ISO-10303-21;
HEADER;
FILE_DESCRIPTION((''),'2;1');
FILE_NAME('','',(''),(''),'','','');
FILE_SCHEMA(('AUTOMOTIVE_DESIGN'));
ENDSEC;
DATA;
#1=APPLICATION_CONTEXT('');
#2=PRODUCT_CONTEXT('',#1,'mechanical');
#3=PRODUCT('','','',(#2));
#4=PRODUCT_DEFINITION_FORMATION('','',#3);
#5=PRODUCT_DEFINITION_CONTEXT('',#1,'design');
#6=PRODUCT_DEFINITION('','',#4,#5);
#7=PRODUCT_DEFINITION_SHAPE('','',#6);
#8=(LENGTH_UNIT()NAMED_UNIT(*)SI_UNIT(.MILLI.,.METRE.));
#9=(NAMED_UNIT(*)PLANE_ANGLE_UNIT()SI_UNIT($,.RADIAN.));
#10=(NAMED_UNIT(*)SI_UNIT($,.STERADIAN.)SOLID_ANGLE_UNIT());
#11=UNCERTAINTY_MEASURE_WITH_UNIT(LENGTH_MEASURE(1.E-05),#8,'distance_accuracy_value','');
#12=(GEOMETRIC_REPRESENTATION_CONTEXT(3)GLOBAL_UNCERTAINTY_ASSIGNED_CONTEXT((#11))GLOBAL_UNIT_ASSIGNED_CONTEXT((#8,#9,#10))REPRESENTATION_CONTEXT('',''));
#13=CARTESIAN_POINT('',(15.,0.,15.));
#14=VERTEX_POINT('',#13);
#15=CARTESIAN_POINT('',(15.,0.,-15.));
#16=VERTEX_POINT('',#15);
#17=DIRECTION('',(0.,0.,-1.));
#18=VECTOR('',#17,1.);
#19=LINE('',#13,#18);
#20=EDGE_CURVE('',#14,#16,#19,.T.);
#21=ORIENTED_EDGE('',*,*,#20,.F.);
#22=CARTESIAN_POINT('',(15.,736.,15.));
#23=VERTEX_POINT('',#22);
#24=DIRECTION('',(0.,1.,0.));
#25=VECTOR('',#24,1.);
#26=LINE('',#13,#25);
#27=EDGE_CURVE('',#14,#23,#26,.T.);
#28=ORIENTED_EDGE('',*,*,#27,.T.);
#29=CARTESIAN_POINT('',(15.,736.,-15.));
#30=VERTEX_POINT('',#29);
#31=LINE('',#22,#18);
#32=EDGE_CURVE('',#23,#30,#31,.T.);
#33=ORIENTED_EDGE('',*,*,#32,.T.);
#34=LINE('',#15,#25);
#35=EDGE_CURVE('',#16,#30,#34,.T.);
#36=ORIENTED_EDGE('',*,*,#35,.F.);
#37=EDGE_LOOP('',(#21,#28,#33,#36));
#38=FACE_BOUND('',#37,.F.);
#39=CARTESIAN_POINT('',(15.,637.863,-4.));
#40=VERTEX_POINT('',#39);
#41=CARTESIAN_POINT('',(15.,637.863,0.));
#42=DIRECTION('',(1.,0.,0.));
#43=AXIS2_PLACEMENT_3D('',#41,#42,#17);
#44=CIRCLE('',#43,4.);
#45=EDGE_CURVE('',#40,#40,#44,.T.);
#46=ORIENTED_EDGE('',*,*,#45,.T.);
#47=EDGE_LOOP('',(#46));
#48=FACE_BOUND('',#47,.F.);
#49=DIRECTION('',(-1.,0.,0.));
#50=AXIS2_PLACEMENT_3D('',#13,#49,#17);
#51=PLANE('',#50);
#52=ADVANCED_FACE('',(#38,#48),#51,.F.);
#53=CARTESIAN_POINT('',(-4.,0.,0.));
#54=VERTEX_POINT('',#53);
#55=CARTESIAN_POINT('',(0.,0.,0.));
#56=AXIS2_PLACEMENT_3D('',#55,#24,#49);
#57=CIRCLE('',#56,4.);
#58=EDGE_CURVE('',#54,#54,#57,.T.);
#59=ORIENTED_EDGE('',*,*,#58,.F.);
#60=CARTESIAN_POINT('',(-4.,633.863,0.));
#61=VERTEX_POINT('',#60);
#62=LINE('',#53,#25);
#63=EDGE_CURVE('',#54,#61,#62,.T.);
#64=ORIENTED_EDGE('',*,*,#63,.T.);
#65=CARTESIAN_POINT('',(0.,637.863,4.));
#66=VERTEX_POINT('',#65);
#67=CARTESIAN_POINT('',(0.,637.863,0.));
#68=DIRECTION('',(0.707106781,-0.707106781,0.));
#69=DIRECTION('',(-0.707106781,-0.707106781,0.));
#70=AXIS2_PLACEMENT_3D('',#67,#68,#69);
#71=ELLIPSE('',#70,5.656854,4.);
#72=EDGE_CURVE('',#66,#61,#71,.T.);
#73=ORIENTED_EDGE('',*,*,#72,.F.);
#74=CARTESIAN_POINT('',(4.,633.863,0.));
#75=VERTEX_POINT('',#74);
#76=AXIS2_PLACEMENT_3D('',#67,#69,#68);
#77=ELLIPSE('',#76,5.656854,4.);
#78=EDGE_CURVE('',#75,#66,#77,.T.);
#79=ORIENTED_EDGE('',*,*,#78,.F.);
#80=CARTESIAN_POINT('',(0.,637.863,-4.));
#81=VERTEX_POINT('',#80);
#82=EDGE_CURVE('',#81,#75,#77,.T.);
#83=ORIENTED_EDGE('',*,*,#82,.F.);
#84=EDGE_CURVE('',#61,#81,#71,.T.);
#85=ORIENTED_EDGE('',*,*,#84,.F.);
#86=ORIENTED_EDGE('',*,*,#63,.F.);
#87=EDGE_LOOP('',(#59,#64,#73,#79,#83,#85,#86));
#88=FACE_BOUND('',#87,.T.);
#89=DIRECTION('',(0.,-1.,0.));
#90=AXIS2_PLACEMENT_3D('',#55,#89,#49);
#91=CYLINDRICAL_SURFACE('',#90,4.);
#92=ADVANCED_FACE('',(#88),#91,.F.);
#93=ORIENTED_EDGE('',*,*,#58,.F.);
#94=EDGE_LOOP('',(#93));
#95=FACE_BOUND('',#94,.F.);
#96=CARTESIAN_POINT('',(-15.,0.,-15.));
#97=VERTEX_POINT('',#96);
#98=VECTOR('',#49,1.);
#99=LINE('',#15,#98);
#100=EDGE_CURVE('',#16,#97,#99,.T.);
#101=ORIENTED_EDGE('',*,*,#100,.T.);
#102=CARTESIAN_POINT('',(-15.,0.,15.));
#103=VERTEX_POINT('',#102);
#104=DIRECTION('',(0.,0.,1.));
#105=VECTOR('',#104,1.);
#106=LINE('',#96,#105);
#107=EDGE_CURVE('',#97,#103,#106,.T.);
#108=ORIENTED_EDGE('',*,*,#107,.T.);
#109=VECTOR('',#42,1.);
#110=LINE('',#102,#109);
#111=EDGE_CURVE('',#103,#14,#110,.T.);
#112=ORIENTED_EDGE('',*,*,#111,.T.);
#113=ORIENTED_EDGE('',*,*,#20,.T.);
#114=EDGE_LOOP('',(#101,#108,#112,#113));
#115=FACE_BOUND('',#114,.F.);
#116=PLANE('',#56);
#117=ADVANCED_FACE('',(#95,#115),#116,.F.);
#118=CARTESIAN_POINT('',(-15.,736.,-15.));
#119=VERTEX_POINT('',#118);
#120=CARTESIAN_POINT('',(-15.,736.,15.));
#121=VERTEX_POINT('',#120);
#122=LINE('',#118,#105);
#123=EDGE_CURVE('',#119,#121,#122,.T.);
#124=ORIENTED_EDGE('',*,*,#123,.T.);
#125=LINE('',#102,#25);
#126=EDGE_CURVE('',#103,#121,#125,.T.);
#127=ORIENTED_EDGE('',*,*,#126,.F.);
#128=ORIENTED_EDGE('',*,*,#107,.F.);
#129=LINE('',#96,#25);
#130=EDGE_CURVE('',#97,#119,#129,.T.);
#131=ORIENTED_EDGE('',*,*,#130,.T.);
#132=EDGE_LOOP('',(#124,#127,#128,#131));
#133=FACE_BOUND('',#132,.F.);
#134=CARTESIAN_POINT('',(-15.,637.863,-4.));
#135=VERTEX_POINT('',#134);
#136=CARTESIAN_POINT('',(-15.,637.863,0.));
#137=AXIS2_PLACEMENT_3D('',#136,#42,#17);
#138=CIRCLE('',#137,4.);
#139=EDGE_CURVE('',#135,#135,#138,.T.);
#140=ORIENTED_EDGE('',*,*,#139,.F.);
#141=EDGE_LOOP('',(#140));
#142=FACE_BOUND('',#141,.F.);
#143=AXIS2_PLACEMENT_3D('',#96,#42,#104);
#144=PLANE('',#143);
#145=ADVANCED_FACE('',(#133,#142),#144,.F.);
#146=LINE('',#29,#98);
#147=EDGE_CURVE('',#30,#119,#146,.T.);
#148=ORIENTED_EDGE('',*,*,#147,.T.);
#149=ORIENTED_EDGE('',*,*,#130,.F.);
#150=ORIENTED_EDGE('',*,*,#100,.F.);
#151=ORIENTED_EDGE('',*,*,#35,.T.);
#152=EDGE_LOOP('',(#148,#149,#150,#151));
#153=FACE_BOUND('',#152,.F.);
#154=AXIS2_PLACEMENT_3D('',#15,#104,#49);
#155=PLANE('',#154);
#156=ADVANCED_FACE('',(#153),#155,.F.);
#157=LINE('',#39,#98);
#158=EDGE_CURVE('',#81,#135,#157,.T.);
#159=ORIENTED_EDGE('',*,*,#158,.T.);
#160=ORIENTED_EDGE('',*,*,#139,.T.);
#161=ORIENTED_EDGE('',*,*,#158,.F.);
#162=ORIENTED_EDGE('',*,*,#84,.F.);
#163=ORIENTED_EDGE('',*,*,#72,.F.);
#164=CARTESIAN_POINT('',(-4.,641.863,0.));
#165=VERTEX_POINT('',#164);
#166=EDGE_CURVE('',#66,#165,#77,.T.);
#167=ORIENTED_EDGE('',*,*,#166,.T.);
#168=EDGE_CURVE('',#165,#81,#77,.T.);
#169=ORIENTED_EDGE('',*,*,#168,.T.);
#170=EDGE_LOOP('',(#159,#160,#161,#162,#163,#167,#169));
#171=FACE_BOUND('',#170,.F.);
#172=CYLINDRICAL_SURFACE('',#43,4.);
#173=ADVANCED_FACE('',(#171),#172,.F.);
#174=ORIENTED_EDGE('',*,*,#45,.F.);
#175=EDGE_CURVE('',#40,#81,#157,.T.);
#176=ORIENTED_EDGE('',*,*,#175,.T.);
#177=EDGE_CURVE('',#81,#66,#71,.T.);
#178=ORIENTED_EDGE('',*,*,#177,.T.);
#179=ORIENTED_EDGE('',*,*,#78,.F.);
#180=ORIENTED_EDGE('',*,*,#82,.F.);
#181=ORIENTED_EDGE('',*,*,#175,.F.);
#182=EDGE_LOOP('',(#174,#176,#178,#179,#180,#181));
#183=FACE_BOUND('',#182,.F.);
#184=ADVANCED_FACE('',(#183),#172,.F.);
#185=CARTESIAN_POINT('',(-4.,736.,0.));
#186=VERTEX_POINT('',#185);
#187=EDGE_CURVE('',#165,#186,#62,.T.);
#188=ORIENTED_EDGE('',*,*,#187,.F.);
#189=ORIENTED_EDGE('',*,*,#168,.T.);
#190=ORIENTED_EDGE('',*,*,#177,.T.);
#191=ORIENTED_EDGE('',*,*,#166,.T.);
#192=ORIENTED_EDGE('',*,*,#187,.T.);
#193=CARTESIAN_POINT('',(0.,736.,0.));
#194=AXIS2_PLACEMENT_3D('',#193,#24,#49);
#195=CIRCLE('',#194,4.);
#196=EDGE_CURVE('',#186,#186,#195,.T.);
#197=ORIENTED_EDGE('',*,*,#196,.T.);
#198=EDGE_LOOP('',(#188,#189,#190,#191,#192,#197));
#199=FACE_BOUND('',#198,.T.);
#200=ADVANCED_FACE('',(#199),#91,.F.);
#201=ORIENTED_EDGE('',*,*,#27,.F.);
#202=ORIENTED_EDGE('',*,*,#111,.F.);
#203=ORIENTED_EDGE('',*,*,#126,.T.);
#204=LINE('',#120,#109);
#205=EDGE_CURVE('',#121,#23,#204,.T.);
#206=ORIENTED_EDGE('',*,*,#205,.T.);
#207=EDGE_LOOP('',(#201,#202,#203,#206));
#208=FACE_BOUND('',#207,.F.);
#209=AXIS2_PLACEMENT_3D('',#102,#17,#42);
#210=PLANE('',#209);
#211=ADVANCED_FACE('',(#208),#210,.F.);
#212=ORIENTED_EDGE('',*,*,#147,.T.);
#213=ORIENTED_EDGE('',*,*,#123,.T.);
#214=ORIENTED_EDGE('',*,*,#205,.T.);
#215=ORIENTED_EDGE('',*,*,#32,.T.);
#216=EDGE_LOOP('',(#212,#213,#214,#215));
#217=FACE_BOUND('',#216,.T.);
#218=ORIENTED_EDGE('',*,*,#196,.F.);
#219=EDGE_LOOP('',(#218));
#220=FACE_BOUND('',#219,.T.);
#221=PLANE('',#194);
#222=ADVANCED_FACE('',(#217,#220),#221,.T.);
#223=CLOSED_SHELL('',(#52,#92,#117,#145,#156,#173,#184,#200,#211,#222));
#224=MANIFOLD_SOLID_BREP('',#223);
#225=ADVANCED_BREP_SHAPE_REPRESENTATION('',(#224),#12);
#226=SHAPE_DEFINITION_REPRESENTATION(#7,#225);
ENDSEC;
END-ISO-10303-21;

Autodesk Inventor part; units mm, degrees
ref_plane "YZ Plane" through (0, 0, 0) normal (1, 0, 0) x (0, 1, 0)
ref_plane "XZ Plane" through (0, 0, 0) normal (0, 1, 0) x (-1, 0, 0)
ref_plane "XY Plane" through (0, 0, 0) normal (0, 0, 1) x (1, 0, 0)
sketch "Boceto1" plane through (0, 0, 0) normal (0, 1, 0) x (-1, 0, 0)
  line L0 (15, 15) -> (-15, 15)
  line L1 (-15, 15) -> (-15, -15)
  line L2 (-15, -15) -> (15, -15)
  line L3 (15, -15) -> (15, 15)
  line L4 (15, 15) -> (-15, -15) construction
  circle A0 centre (0, 0) radius 4
  dimension "d0" = 30
  dimension "d1" = 8
extrude "Extrusión1" add sketch "Boceto1" along normal blind 736
sketch "Sketch2" plane through (15, 0, 15) normal (1, 0, 0) x (0, 0, -1)
  line L0 (0, 736) -> (30, 736) projected
  circle A0 centre (15, 637.863) radius 4
  point P0 (15, 0)
  dimension "d5" = 8
extrude "Extrusion2" cut sketch "Sketch2" against normal blind 30
properties part number "P_3030_1500"
